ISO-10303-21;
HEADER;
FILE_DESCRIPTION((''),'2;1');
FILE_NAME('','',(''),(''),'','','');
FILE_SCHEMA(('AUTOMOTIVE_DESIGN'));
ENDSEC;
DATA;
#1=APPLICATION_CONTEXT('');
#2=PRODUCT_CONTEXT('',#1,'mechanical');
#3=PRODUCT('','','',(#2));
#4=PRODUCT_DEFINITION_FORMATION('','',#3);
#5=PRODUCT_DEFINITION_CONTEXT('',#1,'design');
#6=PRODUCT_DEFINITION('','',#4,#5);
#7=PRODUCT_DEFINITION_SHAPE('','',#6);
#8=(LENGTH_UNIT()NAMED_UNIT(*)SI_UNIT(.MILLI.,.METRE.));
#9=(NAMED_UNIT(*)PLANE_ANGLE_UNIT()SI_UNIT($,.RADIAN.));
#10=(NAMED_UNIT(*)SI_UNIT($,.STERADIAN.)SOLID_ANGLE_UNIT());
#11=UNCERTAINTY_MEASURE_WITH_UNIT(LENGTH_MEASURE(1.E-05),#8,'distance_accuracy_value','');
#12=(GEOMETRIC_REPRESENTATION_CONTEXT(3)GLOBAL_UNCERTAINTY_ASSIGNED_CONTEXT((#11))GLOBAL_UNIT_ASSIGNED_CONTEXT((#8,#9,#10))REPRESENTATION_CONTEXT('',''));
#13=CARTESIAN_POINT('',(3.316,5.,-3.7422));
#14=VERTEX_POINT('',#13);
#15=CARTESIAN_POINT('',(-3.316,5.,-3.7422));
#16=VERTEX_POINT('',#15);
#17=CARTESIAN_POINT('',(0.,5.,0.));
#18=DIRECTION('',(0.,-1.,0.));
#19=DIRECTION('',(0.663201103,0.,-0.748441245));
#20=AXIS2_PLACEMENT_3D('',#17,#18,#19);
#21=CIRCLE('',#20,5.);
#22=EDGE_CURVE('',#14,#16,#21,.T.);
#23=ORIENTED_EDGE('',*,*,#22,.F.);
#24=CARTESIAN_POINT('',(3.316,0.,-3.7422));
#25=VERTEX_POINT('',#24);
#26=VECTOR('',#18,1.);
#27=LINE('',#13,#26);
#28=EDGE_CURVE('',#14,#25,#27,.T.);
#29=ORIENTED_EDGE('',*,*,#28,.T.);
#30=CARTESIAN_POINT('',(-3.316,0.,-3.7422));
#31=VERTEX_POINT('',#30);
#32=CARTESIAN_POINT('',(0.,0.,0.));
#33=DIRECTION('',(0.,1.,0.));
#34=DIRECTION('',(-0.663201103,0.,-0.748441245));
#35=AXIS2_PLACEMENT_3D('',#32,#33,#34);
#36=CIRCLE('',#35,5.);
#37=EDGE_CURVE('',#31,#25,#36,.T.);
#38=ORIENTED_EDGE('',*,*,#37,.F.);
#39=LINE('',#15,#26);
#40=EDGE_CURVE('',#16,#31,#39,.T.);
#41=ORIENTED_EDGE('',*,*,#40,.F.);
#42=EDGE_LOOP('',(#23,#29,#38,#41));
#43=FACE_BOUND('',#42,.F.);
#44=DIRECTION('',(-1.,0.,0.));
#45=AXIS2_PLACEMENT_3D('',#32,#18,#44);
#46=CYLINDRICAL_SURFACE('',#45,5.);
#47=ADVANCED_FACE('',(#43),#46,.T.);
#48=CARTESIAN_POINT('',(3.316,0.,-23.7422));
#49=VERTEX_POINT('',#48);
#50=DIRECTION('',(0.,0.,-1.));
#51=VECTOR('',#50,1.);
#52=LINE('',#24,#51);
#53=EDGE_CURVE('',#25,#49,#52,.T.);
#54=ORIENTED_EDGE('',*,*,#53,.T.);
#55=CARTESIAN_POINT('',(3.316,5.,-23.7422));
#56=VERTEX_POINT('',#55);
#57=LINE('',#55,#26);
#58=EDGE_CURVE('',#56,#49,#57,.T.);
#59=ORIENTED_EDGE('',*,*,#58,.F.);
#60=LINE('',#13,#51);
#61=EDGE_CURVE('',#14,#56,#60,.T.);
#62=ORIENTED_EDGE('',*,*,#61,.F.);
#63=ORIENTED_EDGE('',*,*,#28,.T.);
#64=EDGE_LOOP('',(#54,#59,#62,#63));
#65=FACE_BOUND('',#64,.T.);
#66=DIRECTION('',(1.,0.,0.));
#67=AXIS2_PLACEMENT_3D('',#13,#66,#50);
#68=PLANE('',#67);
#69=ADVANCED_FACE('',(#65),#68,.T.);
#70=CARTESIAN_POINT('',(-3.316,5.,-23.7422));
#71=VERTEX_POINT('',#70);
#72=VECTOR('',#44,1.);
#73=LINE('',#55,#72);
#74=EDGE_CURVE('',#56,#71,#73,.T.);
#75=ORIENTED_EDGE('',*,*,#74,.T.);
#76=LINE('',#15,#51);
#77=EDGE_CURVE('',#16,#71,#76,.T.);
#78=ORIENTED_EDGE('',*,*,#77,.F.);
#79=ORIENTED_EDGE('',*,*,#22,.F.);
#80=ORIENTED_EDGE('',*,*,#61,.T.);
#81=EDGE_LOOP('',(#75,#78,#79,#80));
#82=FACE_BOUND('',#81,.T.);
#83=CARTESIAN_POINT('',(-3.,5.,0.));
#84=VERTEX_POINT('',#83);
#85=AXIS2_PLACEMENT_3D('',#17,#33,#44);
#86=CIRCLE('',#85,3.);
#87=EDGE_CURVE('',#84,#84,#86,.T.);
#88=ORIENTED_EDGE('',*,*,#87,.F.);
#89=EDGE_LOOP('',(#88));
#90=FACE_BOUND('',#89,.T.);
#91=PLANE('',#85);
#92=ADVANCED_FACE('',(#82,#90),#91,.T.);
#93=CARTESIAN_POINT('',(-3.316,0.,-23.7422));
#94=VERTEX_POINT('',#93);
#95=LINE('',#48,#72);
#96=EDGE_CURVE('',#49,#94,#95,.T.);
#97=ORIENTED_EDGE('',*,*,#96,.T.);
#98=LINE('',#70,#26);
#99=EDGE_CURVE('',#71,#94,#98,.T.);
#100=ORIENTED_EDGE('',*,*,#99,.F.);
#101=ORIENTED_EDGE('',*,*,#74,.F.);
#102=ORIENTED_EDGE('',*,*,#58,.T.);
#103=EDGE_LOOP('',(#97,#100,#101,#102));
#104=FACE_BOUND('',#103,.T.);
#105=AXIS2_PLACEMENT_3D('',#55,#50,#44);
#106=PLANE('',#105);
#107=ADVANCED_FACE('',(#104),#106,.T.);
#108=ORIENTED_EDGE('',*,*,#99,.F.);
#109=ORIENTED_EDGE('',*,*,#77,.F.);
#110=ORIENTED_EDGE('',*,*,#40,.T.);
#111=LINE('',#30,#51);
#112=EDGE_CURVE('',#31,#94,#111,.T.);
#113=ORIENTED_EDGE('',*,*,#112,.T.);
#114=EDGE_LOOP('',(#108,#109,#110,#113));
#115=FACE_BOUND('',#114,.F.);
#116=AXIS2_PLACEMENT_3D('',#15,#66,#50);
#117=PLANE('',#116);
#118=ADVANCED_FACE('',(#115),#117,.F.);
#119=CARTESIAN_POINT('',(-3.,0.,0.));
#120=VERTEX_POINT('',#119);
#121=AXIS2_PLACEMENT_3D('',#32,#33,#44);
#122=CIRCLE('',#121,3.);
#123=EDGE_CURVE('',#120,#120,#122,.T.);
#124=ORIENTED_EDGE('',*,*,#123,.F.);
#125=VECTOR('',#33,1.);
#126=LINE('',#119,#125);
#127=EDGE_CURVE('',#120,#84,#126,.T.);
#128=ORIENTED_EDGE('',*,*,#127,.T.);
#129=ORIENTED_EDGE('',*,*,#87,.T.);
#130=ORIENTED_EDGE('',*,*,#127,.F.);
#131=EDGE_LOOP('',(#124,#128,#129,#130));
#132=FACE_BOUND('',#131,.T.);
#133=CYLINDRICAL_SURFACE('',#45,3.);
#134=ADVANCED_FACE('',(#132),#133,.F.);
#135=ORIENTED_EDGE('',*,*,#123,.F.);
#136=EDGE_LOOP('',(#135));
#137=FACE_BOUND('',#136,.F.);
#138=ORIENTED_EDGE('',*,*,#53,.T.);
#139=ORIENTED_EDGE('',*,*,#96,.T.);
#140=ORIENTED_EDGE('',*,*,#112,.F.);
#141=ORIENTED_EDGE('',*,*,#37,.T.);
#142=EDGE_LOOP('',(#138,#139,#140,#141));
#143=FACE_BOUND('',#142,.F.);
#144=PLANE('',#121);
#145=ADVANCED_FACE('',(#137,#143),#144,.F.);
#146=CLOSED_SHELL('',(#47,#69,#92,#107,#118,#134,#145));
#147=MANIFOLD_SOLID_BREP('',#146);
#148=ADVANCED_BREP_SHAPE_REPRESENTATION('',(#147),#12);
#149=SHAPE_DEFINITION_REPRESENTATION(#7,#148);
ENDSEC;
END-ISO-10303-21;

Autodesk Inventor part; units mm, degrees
ref_plane "YZ Plane" through (0, 0, 0) normal (1, 0, 0) x (0, 1, 0)
ref_plane "XZ Plane" through (0, 0, 0) normal (0, 1, 0) x (-1, 0, 0)
ref_plane "XY Plane" through (0, 0, 0) normal (0, 0, 1) x (1, 0, 0)
sketch "Sketch1" plane through (0, 0, 0) normal (0, 1, 0) x (-1, 0, 0)
  circle A0 centre (0, 0) radius 3
  circle A1 centre (0, 0) radius 5
  dimension "d0" = 6
  dimension "d1" = 10
extrude "Extrusion1" add sketch "Sketch1" along normal blind 5
sketch "Sketch2" plane through (0, 5, 0) normal (0, 1, 0) x (1, 0, 0)
  line L0 (0, 3.7422) -> (-3.316, 3.7422)
  circle A0 centre (0, 0) radius 5 projected
  line L1 (-3.316, 3.7422) -> (-3.316, 23.7422)
  line L2 (-3.316, 3.7422) -> (3.316, 3.7422)
  line L3 (3.316, 3.7422) -> (3.316, 23.7422)
  line L4 (3.316, 23.7422) -> (-3.316, 23.7422)
  dimension "d4" = 20
extrude "Extrusion2" add sketch "Sketch2" against normal blind 5 contours L1 L4 L3 A0
properties part number "lock"
